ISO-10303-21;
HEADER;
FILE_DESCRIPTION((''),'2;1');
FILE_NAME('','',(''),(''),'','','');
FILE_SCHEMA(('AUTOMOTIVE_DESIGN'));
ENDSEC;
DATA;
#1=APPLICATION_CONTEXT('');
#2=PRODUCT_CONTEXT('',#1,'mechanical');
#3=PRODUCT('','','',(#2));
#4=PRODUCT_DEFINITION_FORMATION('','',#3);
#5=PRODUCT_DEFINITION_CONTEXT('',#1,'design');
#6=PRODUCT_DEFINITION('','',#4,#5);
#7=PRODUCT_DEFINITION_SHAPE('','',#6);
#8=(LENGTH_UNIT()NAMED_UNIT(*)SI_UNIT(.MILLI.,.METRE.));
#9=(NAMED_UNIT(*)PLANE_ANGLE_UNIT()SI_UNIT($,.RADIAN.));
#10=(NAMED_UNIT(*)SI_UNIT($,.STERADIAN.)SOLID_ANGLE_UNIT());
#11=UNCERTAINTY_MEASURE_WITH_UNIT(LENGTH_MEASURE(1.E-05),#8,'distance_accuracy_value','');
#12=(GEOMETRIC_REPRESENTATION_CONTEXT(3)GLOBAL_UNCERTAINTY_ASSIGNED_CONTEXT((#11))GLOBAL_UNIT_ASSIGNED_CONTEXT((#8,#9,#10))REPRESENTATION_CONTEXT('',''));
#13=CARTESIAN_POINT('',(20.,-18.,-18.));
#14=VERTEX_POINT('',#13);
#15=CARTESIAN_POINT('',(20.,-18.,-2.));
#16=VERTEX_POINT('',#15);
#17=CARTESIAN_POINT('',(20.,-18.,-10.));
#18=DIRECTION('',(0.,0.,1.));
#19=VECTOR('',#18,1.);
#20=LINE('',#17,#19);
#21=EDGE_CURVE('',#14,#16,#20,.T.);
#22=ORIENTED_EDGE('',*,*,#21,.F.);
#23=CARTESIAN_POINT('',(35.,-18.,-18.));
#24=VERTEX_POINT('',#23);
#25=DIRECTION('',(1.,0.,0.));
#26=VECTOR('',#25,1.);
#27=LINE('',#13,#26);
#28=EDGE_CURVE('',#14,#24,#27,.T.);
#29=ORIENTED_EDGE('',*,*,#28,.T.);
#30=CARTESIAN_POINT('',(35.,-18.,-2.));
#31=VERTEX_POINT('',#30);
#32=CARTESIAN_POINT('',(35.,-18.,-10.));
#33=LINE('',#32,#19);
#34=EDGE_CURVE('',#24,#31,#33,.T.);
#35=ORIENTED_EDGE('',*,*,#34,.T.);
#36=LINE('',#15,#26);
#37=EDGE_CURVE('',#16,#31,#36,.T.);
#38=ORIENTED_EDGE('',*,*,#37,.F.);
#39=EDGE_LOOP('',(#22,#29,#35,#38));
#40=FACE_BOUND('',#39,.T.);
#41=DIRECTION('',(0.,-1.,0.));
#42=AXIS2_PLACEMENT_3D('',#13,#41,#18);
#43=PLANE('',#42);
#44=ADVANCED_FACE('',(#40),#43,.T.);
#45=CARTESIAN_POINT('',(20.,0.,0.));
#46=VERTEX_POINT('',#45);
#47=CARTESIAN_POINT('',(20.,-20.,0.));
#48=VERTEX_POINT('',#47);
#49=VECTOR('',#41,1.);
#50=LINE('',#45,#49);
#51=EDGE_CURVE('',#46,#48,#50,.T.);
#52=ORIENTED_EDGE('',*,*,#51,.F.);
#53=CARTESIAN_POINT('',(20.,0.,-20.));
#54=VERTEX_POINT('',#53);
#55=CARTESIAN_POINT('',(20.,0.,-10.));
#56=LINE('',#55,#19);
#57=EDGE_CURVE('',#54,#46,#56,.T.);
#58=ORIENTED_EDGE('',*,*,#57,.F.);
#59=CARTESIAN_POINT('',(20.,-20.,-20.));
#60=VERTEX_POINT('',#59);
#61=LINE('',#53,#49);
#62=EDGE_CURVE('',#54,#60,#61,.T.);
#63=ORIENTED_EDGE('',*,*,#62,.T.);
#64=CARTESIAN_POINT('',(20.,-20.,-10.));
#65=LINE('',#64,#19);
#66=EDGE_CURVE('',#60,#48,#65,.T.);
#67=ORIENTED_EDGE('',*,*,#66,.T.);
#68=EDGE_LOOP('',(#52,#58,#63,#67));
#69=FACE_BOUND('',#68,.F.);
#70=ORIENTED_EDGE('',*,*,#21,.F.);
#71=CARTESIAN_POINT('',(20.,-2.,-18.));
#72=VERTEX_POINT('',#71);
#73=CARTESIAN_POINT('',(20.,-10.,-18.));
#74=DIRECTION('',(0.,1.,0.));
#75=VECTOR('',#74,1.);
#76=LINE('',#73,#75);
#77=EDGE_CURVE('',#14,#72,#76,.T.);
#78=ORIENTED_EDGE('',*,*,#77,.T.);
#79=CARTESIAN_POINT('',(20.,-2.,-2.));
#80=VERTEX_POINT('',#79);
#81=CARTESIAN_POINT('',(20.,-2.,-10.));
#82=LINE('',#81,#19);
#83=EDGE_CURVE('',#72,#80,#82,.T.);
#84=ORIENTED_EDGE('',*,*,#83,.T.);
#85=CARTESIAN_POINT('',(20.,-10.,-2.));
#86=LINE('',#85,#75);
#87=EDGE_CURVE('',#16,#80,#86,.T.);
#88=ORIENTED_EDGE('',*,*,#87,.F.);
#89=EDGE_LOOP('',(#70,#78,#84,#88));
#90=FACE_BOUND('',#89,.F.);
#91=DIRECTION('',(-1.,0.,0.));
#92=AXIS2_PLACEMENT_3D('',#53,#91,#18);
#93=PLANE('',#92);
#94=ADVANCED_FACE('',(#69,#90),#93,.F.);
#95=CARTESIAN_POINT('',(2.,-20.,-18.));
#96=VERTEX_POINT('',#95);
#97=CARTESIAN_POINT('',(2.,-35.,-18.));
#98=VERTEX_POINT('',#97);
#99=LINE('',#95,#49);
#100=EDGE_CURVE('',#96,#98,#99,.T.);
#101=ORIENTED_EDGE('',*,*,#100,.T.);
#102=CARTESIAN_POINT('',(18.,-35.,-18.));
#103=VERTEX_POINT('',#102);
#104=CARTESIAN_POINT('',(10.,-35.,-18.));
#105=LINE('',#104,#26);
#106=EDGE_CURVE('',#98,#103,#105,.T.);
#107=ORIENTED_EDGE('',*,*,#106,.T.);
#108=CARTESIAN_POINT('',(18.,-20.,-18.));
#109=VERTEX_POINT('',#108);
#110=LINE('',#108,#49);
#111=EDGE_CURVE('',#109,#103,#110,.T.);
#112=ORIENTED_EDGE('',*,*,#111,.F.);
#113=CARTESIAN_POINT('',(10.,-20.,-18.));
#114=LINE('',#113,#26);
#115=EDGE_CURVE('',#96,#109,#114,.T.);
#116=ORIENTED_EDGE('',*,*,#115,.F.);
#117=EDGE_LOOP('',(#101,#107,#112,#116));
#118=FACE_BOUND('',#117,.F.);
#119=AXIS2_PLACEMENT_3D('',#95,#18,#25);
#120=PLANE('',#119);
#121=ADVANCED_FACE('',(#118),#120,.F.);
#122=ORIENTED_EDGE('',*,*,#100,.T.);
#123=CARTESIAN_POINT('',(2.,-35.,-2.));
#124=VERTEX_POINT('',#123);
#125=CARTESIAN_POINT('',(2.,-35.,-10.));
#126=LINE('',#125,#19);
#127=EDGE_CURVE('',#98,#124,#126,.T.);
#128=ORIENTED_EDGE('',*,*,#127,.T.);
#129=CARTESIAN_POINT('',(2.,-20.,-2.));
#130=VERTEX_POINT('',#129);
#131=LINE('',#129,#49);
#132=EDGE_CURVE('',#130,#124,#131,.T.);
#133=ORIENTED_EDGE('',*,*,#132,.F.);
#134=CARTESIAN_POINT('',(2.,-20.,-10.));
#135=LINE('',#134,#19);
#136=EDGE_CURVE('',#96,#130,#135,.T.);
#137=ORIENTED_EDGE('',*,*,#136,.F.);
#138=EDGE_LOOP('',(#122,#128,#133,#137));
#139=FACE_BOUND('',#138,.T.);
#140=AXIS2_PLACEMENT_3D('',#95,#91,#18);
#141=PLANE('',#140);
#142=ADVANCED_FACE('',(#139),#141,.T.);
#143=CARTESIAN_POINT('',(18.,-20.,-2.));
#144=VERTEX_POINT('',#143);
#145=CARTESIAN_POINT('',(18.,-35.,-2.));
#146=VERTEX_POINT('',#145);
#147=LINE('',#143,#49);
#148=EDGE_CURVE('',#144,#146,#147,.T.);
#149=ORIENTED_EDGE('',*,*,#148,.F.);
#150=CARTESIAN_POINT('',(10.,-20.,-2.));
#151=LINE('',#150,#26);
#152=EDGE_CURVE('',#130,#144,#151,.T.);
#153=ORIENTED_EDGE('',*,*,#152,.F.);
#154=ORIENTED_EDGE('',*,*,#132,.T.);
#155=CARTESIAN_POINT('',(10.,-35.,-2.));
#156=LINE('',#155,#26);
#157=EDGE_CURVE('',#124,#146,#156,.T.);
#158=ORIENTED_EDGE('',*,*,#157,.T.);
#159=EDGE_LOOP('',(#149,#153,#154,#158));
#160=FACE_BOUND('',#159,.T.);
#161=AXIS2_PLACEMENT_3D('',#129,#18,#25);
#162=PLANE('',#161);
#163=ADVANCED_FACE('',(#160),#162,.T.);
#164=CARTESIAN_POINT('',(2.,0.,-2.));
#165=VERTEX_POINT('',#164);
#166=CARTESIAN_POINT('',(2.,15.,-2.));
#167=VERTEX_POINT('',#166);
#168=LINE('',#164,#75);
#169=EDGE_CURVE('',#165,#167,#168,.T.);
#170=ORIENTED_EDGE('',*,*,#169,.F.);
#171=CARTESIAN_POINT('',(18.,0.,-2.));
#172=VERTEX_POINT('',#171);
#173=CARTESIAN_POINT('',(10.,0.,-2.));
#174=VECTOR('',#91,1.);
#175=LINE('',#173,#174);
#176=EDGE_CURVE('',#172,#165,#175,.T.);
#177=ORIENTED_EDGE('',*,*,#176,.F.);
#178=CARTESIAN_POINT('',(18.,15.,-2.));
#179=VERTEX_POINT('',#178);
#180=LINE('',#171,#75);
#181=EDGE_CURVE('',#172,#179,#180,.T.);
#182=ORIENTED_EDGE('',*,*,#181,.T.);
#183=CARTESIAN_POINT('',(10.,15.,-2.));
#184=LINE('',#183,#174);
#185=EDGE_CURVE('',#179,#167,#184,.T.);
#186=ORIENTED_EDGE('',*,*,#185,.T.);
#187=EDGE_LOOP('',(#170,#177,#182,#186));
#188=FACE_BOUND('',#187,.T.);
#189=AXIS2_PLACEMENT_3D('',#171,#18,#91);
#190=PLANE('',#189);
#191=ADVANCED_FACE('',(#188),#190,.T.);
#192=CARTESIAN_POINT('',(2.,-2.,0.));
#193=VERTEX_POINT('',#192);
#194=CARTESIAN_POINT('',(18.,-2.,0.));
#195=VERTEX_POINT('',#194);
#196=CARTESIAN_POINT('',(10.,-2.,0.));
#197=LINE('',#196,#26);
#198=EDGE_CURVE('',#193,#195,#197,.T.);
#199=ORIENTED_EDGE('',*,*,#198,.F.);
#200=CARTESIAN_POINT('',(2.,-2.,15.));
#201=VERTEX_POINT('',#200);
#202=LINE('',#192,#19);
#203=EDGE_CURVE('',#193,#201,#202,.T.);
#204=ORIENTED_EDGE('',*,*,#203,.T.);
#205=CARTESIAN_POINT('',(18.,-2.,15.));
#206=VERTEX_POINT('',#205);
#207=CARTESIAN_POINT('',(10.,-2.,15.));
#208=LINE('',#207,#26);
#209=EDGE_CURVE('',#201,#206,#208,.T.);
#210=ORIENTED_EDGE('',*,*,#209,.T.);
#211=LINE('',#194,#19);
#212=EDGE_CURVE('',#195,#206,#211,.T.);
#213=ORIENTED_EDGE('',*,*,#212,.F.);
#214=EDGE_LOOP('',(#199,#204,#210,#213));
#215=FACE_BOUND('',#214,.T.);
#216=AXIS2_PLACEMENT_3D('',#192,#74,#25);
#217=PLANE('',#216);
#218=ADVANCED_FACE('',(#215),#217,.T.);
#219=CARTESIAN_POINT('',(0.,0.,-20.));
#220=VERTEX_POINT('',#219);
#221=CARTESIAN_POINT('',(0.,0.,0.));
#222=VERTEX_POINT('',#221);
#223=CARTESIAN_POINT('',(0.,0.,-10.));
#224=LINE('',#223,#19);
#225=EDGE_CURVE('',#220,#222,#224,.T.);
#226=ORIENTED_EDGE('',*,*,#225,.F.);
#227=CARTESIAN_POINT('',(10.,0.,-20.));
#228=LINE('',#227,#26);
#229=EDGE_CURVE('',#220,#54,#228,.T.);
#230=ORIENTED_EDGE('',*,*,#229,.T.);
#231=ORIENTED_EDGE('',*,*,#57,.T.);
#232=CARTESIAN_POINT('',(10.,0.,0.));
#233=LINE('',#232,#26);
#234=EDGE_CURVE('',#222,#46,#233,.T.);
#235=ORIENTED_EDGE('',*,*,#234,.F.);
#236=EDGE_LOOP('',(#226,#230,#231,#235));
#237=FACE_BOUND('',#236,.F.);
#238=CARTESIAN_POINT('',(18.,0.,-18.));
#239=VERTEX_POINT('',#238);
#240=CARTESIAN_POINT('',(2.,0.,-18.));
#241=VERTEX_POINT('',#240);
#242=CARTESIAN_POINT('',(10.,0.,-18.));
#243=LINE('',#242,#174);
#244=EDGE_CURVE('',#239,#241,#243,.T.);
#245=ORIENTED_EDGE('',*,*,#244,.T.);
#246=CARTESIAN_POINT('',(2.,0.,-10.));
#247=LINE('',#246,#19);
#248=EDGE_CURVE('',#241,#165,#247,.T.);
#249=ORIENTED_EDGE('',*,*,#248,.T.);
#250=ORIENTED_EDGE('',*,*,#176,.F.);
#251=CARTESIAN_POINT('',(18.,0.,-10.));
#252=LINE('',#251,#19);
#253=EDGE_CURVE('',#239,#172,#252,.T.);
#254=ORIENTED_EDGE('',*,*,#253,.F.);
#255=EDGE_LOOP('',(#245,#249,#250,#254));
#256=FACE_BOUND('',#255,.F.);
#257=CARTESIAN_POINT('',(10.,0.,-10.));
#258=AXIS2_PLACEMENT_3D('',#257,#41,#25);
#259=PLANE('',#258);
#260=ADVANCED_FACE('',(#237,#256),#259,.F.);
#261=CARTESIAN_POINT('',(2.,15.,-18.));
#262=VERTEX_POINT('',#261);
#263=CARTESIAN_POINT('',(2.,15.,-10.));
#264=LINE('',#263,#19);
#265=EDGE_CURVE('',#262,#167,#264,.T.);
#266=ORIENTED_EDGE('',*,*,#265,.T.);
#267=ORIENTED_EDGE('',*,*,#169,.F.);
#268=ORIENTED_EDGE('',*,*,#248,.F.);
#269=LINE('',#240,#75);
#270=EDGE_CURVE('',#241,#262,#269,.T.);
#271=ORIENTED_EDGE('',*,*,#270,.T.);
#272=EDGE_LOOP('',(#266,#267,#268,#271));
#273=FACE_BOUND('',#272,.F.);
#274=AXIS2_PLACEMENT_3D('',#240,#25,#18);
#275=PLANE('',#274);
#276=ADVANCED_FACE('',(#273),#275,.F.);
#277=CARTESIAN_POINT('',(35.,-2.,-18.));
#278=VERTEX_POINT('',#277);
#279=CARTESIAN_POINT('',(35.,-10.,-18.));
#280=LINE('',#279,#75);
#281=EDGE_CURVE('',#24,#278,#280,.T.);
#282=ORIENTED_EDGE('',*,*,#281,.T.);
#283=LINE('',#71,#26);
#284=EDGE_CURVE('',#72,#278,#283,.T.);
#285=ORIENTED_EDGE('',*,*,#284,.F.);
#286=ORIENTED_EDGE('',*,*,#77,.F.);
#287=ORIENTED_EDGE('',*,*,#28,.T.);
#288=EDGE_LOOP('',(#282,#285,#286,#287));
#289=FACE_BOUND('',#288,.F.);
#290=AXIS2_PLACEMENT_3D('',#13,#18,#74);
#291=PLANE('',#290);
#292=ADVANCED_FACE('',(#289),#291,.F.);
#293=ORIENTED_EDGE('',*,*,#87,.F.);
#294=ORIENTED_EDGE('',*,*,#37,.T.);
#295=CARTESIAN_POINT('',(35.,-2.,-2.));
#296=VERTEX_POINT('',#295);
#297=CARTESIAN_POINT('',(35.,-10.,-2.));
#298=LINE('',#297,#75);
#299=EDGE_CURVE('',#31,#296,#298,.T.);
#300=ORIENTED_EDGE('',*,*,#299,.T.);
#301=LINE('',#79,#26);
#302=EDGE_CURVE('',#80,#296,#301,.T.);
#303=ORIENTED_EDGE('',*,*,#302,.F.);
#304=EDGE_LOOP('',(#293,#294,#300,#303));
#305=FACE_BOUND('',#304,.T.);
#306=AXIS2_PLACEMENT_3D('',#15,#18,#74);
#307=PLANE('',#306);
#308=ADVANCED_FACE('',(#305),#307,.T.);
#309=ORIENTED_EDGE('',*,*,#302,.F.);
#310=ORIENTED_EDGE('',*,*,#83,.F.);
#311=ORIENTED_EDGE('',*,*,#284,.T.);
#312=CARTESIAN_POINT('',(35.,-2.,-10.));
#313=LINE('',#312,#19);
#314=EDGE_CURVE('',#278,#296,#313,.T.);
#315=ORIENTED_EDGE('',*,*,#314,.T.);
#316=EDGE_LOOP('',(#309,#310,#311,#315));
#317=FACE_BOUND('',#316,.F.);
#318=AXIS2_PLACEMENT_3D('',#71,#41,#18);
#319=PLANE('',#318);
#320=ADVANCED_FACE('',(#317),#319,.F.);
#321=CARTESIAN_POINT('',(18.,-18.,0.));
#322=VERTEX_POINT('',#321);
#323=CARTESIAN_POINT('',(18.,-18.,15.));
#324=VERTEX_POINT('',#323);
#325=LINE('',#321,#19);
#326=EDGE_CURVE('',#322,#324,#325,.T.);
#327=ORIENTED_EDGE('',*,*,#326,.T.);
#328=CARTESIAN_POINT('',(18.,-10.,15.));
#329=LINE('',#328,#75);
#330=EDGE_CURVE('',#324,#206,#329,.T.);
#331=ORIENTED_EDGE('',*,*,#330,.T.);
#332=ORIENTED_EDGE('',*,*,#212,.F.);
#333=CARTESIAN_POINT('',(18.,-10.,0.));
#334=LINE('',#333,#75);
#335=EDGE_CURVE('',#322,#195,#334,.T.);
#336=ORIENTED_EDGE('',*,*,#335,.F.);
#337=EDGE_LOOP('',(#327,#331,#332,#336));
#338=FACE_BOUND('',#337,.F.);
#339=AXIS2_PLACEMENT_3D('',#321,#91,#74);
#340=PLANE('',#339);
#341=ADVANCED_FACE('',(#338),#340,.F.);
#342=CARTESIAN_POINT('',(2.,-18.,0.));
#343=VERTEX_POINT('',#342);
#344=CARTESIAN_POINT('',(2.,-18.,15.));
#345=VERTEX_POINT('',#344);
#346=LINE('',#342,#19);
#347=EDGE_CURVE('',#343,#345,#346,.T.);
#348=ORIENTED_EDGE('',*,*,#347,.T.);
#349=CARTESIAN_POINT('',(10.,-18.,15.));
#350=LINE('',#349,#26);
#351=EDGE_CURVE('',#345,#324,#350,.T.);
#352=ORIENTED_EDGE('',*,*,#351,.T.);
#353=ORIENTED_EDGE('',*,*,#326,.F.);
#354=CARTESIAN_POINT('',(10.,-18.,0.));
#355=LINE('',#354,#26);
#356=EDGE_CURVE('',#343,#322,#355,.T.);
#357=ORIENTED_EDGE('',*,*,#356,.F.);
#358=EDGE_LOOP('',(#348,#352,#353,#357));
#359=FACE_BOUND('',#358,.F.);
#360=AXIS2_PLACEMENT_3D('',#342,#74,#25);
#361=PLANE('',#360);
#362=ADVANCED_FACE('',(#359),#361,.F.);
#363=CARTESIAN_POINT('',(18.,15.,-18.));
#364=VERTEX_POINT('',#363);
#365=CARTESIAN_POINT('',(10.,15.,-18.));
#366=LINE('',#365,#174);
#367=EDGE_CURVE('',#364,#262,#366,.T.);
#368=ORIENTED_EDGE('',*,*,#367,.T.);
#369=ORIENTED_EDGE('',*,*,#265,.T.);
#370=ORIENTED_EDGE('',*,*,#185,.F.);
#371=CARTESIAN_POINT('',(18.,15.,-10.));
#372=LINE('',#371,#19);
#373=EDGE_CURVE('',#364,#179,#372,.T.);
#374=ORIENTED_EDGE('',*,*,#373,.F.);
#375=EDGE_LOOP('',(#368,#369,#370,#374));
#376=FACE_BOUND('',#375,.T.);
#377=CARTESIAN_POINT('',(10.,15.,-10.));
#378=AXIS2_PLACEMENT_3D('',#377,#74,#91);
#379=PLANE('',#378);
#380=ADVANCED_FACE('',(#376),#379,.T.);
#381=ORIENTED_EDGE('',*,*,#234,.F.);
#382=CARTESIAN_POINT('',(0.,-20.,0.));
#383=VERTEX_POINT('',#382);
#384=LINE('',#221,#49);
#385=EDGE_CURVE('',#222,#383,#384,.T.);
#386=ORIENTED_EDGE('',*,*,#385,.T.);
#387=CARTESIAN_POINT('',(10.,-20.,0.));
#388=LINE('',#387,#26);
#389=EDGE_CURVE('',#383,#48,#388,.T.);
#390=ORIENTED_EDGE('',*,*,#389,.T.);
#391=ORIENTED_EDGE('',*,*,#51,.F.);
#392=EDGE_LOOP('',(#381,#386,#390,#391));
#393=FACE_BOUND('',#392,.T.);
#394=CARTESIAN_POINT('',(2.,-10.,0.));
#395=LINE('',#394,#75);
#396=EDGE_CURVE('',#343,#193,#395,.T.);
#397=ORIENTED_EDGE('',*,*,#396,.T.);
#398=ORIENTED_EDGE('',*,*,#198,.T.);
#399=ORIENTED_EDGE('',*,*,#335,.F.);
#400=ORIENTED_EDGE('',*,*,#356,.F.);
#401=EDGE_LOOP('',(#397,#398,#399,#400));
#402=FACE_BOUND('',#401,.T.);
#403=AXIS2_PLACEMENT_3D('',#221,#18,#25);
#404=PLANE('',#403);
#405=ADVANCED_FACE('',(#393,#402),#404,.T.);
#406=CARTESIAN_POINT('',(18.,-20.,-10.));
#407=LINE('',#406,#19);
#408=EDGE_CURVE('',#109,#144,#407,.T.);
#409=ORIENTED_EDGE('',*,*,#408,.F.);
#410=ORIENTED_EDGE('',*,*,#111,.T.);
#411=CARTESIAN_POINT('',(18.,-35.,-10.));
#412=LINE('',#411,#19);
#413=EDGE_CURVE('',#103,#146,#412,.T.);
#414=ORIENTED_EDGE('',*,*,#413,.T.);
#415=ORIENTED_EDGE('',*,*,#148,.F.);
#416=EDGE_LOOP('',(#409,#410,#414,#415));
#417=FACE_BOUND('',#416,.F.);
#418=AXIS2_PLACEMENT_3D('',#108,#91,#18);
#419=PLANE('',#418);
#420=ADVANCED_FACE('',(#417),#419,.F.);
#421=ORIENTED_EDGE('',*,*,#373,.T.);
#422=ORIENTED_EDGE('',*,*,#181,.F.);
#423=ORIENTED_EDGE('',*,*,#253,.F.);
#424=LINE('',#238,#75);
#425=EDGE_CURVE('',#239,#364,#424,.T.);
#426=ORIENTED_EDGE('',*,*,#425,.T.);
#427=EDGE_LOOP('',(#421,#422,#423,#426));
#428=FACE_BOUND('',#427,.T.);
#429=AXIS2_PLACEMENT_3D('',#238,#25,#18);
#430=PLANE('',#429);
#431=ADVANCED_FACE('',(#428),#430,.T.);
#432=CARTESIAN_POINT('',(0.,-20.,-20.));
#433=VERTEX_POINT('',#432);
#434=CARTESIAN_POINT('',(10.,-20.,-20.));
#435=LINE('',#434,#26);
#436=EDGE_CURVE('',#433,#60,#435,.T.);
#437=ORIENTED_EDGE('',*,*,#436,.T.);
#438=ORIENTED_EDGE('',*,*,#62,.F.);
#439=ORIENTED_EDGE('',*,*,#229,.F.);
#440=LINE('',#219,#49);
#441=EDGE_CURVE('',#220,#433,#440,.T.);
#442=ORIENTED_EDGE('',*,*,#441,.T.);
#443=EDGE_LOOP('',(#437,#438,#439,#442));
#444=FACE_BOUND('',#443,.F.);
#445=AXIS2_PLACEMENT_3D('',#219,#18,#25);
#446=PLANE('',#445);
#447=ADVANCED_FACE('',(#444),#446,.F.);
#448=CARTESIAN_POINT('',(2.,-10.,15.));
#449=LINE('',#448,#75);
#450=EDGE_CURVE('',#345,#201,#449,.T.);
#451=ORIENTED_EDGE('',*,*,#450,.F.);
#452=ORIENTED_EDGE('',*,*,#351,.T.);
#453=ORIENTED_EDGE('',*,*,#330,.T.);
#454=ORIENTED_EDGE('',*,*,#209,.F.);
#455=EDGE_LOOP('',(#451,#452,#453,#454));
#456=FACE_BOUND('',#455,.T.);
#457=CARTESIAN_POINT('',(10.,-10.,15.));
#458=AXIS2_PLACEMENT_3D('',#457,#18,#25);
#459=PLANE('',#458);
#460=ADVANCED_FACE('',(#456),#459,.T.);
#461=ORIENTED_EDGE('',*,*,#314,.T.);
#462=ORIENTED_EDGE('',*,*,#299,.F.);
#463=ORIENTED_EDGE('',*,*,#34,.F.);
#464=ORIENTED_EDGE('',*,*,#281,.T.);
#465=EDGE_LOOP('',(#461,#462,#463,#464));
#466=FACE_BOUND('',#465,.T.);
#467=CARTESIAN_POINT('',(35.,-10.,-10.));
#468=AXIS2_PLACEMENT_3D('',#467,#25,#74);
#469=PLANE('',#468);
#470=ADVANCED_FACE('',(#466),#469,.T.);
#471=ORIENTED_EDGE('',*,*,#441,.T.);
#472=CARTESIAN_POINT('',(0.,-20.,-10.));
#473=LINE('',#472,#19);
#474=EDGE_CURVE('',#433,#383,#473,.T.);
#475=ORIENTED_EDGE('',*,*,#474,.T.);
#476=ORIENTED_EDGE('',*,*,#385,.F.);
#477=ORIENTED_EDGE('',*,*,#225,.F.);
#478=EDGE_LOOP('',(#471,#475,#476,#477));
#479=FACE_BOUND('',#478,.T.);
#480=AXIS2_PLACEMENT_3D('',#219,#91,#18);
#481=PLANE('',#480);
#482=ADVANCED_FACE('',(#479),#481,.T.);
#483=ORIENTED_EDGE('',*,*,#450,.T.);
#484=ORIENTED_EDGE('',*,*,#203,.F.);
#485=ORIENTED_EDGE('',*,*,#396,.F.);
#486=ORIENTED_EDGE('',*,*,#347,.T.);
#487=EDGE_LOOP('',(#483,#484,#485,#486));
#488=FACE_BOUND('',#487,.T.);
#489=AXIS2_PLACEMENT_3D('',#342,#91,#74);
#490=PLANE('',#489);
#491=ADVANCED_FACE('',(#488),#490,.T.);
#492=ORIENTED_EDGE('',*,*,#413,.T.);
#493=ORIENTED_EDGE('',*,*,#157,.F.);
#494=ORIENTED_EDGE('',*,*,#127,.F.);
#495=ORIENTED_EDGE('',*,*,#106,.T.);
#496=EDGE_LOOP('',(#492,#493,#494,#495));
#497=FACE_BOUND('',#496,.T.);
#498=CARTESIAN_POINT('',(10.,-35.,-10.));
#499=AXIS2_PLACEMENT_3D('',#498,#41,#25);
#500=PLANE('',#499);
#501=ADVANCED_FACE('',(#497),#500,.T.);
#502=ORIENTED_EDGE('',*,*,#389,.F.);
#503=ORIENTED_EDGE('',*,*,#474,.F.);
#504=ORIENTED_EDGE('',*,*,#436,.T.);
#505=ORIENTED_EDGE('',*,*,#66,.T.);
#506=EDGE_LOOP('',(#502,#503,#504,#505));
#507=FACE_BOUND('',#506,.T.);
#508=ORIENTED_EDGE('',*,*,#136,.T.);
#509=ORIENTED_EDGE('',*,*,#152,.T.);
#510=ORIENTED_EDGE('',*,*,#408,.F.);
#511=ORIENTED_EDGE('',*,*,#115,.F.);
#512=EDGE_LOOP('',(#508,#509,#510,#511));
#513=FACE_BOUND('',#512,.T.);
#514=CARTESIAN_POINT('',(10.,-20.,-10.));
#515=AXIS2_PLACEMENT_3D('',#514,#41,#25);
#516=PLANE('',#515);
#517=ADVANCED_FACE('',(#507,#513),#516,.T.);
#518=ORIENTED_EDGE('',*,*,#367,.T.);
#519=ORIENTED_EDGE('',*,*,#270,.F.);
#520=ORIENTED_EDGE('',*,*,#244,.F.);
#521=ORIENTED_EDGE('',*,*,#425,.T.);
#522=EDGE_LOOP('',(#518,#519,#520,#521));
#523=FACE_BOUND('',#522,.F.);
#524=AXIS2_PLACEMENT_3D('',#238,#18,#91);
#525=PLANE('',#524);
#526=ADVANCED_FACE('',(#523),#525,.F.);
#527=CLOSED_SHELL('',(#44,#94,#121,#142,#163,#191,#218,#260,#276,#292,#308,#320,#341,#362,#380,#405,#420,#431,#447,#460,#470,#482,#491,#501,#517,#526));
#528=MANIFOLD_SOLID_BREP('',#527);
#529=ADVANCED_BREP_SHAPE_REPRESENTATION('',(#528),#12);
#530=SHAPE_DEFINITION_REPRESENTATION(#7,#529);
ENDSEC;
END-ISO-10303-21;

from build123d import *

# Parameters (mm, degrees)
F0_W     = 20
F0_H     = 20
F1_DEPTH = 20
F2_W     = 16
F2_H     = 16
F3_DEPTH = 15
F4_W     = 16
F4_H     = 16
F5_DEPTH = 15
F6_W     = 16
F6_H     = 16
F7_DEPTH = 15
F8_W     = 16
F8_H     = 16
F9_DEPTH = 15


with BuildPart() as f1:
    # F0 (on Front) → F1 (new body)
    with BuildSketch(Plane.XZ):
        with Locations((10, -10)):
            Rectangle(F0_W, F0_H)
    extrude(amount=F1_DEPTH)

    # F2 (on face) → F3 (join)
    with BuildSketch(Plane.XY):
        with Locations((10, -10)):
            Rectangle(F2_W, F2_H)
    extrude(amount=F3_DEPTH)

    # F4 (on face) → F5 (join)
    with BuildSketch(Plane(origin=(0, 0, 0), x_dir=(-1, 0, 0), z_dir=(0, 1, 0))):
        with Locations((-10, -10)):
            Rectangle(F4_W, F4_H)
    extrude(amount=F5_DEPTH)

    # F6 (on face) → F7 (join)
    with BuildSketch(Plane.YZ.offset(20)):
        with Locations((-10, -10)):
            Rectangle(F6_W, F6_H)
    extrude(amount=F7_DEPTH)

    # F8 (on face) → F9 (join)
    with BuildSketch(Plane.XZ.offset(20)):
        with Locations((10, -10)):
            Rectangle(F8_W, F8_H)
    extrude(amount=F9_DEPTH)


solid = f1.part
